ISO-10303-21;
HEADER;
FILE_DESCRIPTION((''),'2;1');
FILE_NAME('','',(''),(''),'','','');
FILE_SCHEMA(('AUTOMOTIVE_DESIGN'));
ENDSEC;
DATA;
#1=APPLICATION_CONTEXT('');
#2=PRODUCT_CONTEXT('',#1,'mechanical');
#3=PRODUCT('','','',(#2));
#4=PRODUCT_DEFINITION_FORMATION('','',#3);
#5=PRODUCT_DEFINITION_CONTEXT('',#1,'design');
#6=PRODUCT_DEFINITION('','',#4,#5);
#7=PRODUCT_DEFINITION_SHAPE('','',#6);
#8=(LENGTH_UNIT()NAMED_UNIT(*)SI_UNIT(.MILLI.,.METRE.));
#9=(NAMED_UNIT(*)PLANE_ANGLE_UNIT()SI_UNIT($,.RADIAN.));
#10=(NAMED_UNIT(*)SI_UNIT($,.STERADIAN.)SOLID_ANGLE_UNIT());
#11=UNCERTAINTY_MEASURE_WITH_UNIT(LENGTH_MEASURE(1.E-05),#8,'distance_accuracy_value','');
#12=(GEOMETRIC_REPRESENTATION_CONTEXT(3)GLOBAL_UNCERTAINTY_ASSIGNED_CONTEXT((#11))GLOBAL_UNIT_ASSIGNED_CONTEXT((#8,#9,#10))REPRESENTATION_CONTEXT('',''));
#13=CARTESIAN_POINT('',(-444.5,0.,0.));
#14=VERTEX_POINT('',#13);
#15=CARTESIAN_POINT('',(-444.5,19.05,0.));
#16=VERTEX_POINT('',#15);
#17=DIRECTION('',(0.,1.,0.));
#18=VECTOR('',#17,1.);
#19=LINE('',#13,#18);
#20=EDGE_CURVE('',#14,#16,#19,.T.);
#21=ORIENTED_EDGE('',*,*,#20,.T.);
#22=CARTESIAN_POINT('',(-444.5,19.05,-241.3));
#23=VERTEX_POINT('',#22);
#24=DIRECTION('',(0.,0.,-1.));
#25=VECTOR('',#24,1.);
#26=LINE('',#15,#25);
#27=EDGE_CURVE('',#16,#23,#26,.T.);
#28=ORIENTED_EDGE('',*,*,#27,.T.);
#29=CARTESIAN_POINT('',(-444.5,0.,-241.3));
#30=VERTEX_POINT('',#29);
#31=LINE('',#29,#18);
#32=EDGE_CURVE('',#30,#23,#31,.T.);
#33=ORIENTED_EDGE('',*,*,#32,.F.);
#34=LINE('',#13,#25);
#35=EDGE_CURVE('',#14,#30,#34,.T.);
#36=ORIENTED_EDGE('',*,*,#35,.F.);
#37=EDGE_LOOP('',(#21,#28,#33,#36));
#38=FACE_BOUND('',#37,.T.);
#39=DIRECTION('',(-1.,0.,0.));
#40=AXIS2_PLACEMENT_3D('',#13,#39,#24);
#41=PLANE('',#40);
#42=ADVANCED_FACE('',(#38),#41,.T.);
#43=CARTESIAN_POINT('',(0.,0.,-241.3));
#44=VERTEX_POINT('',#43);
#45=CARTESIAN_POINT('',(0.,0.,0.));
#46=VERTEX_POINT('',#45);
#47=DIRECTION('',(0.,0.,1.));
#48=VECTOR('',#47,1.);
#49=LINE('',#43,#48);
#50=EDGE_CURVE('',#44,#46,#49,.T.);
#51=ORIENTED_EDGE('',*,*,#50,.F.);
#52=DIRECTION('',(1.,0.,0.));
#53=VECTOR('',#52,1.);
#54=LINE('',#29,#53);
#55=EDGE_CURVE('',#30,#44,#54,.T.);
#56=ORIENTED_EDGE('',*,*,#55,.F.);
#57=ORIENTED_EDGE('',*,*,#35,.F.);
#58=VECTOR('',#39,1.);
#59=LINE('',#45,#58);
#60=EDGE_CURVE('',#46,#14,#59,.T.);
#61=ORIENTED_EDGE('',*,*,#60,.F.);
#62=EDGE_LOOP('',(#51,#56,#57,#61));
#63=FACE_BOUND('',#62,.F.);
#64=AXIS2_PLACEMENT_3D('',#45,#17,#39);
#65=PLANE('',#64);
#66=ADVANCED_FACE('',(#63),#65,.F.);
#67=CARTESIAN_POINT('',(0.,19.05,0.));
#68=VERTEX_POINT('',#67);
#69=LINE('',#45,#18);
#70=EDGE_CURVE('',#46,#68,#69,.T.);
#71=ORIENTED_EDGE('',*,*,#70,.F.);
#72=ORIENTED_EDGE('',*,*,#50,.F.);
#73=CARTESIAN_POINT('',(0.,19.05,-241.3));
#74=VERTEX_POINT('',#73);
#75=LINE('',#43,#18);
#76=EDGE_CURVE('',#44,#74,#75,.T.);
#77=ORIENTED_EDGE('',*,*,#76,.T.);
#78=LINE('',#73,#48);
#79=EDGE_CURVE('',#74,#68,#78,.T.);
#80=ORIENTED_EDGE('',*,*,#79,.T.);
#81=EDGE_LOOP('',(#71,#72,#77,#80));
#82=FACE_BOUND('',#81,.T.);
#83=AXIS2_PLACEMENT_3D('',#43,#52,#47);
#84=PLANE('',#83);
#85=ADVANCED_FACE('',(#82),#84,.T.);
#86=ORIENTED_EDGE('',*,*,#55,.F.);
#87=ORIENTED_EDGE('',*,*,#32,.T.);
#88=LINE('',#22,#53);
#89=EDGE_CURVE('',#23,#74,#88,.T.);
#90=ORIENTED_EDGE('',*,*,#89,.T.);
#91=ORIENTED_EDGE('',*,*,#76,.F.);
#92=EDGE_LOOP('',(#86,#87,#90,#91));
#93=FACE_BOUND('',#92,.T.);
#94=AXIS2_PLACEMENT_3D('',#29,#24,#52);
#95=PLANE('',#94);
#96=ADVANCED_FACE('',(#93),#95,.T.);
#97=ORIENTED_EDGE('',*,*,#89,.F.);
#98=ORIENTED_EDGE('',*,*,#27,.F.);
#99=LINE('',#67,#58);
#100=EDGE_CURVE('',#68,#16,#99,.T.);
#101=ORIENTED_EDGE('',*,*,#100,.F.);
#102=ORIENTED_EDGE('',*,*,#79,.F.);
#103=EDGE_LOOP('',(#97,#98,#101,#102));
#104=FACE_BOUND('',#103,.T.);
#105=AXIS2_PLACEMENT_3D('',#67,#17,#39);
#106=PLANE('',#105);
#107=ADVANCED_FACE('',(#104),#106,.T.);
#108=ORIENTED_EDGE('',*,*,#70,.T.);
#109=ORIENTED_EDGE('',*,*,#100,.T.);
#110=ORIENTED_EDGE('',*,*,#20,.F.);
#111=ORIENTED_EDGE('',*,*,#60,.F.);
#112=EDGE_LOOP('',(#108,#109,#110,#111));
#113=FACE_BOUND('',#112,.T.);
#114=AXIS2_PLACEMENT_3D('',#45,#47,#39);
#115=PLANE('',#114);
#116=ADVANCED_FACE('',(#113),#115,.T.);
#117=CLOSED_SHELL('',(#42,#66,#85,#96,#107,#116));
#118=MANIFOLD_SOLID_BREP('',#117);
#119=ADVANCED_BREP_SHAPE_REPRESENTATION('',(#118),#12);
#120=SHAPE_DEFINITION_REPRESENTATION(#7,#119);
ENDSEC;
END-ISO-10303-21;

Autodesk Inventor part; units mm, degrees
ref_plane "YZ Plane" through (0, 0, 0) normal (1, 0, 0) x (0, 1, 0)
ref_plane "XZ Plane" through (0, 0, 0) normal (0, 1, 0) x (-1, 0, 0)
ref_plane "XY Plane" through (0, 0, 0) normal (0, 0, 1) x (1, 0, 0)
sketch "Sketch1" plane through (0, 0, 0) normal (0, 1, 0) x (-1, 0, 0)
  line L0 (0, 0) -> (444.5, 0)
  line L1 (444.5, 0) -> (444.5, -241.3)
  line L2 (444.5, -241.3) -> (0, -241.3)
  line L3 (0, -241.3) -> (0, 0)
  dimension "d0" = 444.5
  dimension "d1" = 241.3
extrude "Extrusion1" add sketch "Sketch1" along normal blind 19.05
properties part number "Back"
